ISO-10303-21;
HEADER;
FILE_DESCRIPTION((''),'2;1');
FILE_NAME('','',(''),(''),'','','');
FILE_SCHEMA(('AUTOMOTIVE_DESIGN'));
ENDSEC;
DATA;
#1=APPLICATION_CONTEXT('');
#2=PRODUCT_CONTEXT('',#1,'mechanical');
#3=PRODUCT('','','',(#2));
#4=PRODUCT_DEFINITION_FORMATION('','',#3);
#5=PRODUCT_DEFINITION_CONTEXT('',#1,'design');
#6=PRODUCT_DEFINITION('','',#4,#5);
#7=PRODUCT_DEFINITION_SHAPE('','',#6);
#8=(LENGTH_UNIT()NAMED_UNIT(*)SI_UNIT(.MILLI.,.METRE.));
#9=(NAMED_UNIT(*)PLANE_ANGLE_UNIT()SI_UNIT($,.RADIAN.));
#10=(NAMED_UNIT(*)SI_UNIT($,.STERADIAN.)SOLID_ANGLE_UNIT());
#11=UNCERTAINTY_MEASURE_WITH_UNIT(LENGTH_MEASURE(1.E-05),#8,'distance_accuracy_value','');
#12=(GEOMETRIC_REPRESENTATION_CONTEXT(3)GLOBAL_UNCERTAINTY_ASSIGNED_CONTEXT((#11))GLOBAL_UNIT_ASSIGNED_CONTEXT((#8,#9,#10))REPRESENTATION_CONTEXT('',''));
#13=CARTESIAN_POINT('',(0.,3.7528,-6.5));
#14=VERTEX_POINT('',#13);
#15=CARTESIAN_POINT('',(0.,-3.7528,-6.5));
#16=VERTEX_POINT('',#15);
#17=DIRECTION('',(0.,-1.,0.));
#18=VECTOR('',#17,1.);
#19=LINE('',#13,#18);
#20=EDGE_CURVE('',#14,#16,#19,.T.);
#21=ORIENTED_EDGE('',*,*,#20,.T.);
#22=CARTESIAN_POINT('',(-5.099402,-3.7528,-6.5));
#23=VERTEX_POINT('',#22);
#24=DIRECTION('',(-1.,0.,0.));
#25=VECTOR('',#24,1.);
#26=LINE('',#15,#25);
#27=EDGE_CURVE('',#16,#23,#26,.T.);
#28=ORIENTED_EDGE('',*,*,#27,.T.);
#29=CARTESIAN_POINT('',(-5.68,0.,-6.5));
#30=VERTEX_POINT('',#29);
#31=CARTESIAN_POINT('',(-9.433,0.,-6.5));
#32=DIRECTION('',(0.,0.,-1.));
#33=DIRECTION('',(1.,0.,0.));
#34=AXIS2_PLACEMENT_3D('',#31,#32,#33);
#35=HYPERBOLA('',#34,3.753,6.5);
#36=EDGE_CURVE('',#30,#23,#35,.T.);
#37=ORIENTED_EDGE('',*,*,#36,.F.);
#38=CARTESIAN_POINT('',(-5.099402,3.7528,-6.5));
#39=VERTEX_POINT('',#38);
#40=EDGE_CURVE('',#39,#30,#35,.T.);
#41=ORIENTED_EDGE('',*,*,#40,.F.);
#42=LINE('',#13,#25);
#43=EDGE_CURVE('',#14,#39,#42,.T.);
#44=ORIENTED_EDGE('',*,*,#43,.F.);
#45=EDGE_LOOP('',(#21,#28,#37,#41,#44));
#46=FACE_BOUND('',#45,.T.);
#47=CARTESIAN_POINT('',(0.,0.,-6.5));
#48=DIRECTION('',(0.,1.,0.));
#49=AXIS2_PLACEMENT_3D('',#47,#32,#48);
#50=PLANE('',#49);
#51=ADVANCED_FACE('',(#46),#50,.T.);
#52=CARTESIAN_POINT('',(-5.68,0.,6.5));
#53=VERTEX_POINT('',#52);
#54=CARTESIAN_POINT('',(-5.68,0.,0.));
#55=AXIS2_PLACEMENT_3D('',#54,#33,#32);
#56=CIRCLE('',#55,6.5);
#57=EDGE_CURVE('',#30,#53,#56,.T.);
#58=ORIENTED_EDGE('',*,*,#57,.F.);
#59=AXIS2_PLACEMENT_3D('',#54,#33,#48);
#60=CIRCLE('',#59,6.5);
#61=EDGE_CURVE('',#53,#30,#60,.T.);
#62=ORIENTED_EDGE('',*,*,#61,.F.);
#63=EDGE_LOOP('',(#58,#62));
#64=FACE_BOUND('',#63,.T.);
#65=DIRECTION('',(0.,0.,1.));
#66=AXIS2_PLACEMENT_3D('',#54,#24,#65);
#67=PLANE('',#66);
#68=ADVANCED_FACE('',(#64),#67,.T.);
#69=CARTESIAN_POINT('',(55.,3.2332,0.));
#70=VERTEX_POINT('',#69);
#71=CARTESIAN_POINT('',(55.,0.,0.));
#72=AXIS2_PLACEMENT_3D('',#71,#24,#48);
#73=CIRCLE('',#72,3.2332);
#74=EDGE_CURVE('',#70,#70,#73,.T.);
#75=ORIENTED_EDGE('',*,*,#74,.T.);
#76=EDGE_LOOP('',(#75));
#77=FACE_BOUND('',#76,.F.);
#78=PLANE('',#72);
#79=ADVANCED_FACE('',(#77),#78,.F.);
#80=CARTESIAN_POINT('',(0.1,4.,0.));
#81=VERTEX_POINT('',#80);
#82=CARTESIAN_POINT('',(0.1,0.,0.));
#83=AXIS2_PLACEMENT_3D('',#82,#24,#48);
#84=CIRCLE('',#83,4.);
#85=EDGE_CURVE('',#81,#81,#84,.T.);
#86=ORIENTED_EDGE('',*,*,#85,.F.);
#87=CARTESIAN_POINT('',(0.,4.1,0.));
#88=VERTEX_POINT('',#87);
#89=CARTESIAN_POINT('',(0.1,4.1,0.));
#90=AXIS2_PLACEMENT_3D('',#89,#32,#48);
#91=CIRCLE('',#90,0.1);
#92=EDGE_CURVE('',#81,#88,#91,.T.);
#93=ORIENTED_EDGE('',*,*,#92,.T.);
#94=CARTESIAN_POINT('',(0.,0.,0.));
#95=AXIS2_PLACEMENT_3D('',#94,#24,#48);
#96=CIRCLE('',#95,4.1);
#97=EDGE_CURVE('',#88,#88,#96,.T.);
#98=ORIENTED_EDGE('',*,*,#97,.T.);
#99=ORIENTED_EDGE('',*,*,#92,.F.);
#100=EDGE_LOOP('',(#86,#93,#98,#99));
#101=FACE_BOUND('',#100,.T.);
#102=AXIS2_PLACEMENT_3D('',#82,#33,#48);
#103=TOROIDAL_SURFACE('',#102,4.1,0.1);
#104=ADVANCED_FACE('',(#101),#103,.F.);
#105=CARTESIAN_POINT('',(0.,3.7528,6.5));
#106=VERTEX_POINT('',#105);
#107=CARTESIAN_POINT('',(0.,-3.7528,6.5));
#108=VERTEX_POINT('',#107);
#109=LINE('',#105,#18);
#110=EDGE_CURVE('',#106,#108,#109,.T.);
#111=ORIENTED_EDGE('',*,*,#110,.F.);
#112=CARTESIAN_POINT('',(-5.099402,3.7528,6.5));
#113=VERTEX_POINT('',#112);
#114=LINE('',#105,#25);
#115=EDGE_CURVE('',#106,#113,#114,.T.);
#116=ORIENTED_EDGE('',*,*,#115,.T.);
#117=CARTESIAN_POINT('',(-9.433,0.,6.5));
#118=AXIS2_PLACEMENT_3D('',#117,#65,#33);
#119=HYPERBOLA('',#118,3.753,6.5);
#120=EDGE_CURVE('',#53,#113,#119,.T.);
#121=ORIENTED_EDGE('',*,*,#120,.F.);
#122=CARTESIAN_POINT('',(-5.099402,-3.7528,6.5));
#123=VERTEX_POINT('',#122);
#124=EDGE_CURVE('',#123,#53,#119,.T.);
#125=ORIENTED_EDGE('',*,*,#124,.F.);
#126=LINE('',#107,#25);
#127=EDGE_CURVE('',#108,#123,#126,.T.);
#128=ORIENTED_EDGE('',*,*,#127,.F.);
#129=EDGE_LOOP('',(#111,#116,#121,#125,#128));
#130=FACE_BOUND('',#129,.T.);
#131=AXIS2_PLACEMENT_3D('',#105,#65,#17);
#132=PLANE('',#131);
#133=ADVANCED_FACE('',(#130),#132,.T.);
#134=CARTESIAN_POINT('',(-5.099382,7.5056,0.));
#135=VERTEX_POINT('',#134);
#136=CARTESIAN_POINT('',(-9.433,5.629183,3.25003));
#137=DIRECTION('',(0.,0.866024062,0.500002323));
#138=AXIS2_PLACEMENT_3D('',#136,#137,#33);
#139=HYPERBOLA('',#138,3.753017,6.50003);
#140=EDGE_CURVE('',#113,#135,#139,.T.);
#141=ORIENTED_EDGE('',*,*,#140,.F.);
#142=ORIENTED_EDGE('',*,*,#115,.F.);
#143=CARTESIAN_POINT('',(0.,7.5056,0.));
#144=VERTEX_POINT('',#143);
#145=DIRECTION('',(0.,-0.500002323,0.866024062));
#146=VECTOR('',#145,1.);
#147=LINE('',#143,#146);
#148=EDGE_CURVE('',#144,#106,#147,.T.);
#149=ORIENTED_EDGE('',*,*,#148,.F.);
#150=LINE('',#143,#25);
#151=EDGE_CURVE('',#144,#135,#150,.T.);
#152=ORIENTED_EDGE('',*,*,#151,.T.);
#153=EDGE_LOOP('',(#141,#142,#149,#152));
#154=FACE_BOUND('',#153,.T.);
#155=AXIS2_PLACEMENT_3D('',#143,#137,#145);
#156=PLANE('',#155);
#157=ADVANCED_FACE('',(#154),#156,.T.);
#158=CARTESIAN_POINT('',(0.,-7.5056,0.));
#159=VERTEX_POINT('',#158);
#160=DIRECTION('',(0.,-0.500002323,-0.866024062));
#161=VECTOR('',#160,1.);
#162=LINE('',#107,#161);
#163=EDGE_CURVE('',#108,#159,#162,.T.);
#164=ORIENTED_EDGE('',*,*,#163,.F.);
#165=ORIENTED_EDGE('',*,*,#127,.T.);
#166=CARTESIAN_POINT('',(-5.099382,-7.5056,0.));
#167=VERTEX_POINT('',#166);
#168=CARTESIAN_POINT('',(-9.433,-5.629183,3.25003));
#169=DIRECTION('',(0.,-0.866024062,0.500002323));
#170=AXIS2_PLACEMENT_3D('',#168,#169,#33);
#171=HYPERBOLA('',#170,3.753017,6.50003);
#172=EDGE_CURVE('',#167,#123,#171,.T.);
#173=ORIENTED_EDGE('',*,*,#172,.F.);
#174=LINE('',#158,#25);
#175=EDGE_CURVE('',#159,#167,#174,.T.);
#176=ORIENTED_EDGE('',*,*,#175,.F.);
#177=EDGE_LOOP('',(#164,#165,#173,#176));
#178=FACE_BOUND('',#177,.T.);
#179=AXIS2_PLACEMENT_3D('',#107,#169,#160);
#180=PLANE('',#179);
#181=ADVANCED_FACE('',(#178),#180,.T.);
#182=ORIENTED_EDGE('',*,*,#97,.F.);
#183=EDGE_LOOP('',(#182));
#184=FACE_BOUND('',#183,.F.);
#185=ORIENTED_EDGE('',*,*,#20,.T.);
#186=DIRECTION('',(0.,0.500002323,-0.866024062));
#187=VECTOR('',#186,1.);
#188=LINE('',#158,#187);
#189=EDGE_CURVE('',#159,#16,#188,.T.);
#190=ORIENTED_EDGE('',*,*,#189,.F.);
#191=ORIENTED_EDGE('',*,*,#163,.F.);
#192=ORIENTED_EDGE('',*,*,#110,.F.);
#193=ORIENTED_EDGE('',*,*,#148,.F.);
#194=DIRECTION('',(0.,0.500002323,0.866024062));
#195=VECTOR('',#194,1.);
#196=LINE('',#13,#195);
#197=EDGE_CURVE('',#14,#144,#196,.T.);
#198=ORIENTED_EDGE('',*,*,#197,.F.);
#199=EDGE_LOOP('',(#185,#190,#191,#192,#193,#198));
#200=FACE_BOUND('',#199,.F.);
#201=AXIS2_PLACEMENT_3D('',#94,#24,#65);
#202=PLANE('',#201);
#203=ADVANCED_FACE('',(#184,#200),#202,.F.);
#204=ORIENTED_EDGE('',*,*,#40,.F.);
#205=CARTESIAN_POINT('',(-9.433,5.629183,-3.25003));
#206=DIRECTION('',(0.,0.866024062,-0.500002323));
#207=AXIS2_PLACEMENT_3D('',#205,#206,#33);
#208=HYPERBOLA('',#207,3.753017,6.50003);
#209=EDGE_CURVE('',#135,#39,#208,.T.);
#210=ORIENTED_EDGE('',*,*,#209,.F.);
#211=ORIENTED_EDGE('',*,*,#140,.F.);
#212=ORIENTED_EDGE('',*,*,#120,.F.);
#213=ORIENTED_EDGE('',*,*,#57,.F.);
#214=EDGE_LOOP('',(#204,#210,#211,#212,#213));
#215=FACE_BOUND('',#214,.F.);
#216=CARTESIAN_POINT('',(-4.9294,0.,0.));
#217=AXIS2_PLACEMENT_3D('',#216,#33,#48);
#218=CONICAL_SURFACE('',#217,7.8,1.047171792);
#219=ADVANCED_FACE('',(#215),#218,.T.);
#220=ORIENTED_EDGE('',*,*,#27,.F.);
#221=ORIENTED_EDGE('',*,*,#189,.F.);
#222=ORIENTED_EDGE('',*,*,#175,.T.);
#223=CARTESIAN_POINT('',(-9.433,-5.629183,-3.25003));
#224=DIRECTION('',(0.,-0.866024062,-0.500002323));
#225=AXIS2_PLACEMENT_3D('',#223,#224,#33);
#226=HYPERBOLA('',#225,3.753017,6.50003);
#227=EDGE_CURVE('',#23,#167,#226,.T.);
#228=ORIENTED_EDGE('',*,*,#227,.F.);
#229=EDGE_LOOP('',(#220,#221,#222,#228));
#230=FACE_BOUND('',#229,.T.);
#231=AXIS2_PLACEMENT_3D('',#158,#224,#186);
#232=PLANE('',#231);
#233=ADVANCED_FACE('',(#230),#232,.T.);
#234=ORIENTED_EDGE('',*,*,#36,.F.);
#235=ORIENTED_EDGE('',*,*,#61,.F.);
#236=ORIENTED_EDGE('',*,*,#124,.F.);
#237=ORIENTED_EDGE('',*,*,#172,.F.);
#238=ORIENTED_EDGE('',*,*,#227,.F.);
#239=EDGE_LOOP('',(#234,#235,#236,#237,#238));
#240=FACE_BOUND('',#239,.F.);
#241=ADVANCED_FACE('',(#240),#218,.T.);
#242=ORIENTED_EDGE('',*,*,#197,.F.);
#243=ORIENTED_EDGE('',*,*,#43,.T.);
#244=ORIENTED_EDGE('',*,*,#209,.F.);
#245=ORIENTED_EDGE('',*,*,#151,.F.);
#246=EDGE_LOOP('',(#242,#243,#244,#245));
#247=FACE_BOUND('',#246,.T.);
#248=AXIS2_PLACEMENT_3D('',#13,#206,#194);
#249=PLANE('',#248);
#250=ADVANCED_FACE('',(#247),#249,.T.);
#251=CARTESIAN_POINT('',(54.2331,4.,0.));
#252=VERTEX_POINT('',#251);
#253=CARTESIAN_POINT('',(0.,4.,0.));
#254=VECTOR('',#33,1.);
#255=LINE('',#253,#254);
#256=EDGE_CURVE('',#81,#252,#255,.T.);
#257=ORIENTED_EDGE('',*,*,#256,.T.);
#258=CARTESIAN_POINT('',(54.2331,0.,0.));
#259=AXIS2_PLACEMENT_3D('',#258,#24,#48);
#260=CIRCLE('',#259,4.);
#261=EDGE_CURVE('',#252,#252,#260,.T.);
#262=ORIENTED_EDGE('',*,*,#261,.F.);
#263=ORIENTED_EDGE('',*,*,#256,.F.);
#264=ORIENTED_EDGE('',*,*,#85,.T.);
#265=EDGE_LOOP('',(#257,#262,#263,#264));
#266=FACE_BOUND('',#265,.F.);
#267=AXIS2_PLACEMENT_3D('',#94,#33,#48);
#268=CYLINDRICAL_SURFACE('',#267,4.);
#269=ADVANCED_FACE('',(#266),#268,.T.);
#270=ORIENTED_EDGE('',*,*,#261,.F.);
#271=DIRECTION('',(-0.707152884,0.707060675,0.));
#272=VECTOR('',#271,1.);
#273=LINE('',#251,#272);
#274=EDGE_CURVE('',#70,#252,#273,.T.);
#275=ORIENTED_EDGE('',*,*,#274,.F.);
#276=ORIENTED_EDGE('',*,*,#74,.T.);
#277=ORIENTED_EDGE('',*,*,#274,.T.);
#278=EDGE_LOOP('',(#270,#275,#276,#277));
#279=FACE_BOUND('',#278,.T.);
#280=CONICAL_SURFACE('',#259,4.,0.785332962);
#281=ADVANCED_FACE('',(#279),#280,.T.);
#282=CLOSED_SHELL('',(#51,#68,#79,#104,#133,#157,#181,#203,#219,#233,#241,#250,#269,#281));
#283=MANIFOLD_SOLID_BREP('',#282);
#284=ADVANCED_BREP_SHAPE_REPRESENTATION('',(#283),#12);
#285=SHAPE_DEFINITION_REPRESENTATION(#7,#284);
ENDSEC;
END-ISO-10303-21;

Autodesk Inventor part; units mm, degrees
ref_plane "YZ Plane" through (0, 0, 0) normal (1, 0, 0) x (0, 1, 0)
ref_plane "XZ Plane" through (0, 0, 0) normal (0, 1, 0) x (-1, 0, 0)
sketch "Sketch1" plane through (0, 0, 0) normal (0, 0, 1) x (1, 0, 0)
  line L0 (0, 4) -> (55, 4)
  line L1 (55, 4) -> (55, 0)
  line L2 (55, 0) -> (0, 0)
  line L3 (-11, 0) -> (66, 0) projected
  line L4 (0, -0.8) -> (0, 4.8) projected
  line L5 (0, 4) -> (0, 0)
  dimension "d2" = 8
  dimension "d59" = 55
revolve "Body" add sketch "Sketch1" angle 360 about axis through (55, 0, 0) along (-1, 0, 0)
sketch "Sketch2" plane through (0, 0, 0) normal (-1, 0, 0) x (0, 0, 1)
  line L0 (0, 7.5056) -> (6.5, 3.7528)
  line L1 (6.5, 3.7528) -> (6.5, -3.7528)
  line L2 (6.5, -3.7528) -> (0, -7.5056)
  line L3 (0, -7.5056) -> (-6.5, -3.7528)
  line L4 (-6.5, -3.7528) -> (-6.5, 3.7528)
  line L5 (-6.5, 3.7528) -> (0, 7.5056)
  line L6 (-9.1, 0) -> (9.1, 0) projected
  line L7 (0, 10.5078) -> (0, -10.5078) projected
  point P0 (0, 0)
  point P1 (0, 0)
  dimension "d11" = 13
extrude "Head" add sketch "Sketch2" along normal blind 5.68
sketch "Sketch4" plane through (0, 0, 0) normal (0, 0, 1) x (1, 0, 0)
  line L0 (-4.9294, 7.8) -> (-5.68, 6.5)
  line L1 (-1.1, 0) -> (-0.234, 0)
  line L2 (-6.7692, 0) -> (0.8552, 0) projected
  line L3 (-5.68, 7.8) -> (-4.9294, 7.8)
  line L4 (-5.68, 6.5) -> (-5.68, 7.8)
  line L5 (0, 9.36) -> (0, -1.56) projected
  dimension "d65" = 13
  dimension "d67" = 30
  dimension "d68" = 15.6
  dimension "d69" = 5.68
revolve "Chamfer1" cut sketch "Sketch4" angle 360 about axis through (-1.1, 0, 0) along (1, 0, 0)
thread "Thread" size "M8x1.25" class "6g" standard "ISO Metric profile" length 22
chamfer "Chamfer2" distance 0.7668 distance2 0.7669 1 edges at (55, -4, 0) measured on face at (55, -1.1806, 1.575)
fillet "Fillet" radius 0.1 1 edges at (0, -4, 0)
ref_plane "Work Plane1" through (1.525, 0, 0) normal (0, 0, 1) x (1, 0, 0)
equation "\"d2\" = GD"
equation "\"d59\" = NLG"
equation "\"d11\" = SW"
equation "\"d3\" = KOH"
equation "\"d15\" = GEL"
equation "\"d6\" = -0.5 * SPD + 0.5 * GD"
equation "\"d71\" = RR"
equation "\"d65\" = SW"
equation "\"d67\" = ANG1"
equation "\"d68\" = 1.2 * SW"
equation "\"d69\" = KOH"
equation "\"NLG\" = 55"
equation "\"GD\" = NND"
equation "\"BDM\" = NND"
equation "\"KOH\" = 5.68"
equation "\"GEL\" = 22"
equation "\"SW\" = 13"
equation "\"SW0\" = SW"
equation "\"SPD\" = NND - 1.2269 * PTC"
equation "\"SD2\" = NND"
equation "\"SD\" = 0"
equation "\"ANG1\" = 30deg"
equation "\"GAL\" = 0.61345 * PTC"
equation "\"GUL\" = 0.61345 * PTC"
equation "\"RR\" = 0.1"
equation "\"RR1\" = 0.4"
equation "\"GD1\" = THREADDIA - 1.2269 * PTC"
equation "\"THREADDIA\" = 8"
equation "\"TOA\" = 30deg"
equation "\"PTC\" = 1.25"
equation "\"KOH1\" = 3.7"
equation "\"NND\" = 8"
equation "\"E0\" = 1.155 * SW"
properties part number "ANSI B18.2.3.5M - M8 x 1.25 x 55" material "Steel, Mild"
